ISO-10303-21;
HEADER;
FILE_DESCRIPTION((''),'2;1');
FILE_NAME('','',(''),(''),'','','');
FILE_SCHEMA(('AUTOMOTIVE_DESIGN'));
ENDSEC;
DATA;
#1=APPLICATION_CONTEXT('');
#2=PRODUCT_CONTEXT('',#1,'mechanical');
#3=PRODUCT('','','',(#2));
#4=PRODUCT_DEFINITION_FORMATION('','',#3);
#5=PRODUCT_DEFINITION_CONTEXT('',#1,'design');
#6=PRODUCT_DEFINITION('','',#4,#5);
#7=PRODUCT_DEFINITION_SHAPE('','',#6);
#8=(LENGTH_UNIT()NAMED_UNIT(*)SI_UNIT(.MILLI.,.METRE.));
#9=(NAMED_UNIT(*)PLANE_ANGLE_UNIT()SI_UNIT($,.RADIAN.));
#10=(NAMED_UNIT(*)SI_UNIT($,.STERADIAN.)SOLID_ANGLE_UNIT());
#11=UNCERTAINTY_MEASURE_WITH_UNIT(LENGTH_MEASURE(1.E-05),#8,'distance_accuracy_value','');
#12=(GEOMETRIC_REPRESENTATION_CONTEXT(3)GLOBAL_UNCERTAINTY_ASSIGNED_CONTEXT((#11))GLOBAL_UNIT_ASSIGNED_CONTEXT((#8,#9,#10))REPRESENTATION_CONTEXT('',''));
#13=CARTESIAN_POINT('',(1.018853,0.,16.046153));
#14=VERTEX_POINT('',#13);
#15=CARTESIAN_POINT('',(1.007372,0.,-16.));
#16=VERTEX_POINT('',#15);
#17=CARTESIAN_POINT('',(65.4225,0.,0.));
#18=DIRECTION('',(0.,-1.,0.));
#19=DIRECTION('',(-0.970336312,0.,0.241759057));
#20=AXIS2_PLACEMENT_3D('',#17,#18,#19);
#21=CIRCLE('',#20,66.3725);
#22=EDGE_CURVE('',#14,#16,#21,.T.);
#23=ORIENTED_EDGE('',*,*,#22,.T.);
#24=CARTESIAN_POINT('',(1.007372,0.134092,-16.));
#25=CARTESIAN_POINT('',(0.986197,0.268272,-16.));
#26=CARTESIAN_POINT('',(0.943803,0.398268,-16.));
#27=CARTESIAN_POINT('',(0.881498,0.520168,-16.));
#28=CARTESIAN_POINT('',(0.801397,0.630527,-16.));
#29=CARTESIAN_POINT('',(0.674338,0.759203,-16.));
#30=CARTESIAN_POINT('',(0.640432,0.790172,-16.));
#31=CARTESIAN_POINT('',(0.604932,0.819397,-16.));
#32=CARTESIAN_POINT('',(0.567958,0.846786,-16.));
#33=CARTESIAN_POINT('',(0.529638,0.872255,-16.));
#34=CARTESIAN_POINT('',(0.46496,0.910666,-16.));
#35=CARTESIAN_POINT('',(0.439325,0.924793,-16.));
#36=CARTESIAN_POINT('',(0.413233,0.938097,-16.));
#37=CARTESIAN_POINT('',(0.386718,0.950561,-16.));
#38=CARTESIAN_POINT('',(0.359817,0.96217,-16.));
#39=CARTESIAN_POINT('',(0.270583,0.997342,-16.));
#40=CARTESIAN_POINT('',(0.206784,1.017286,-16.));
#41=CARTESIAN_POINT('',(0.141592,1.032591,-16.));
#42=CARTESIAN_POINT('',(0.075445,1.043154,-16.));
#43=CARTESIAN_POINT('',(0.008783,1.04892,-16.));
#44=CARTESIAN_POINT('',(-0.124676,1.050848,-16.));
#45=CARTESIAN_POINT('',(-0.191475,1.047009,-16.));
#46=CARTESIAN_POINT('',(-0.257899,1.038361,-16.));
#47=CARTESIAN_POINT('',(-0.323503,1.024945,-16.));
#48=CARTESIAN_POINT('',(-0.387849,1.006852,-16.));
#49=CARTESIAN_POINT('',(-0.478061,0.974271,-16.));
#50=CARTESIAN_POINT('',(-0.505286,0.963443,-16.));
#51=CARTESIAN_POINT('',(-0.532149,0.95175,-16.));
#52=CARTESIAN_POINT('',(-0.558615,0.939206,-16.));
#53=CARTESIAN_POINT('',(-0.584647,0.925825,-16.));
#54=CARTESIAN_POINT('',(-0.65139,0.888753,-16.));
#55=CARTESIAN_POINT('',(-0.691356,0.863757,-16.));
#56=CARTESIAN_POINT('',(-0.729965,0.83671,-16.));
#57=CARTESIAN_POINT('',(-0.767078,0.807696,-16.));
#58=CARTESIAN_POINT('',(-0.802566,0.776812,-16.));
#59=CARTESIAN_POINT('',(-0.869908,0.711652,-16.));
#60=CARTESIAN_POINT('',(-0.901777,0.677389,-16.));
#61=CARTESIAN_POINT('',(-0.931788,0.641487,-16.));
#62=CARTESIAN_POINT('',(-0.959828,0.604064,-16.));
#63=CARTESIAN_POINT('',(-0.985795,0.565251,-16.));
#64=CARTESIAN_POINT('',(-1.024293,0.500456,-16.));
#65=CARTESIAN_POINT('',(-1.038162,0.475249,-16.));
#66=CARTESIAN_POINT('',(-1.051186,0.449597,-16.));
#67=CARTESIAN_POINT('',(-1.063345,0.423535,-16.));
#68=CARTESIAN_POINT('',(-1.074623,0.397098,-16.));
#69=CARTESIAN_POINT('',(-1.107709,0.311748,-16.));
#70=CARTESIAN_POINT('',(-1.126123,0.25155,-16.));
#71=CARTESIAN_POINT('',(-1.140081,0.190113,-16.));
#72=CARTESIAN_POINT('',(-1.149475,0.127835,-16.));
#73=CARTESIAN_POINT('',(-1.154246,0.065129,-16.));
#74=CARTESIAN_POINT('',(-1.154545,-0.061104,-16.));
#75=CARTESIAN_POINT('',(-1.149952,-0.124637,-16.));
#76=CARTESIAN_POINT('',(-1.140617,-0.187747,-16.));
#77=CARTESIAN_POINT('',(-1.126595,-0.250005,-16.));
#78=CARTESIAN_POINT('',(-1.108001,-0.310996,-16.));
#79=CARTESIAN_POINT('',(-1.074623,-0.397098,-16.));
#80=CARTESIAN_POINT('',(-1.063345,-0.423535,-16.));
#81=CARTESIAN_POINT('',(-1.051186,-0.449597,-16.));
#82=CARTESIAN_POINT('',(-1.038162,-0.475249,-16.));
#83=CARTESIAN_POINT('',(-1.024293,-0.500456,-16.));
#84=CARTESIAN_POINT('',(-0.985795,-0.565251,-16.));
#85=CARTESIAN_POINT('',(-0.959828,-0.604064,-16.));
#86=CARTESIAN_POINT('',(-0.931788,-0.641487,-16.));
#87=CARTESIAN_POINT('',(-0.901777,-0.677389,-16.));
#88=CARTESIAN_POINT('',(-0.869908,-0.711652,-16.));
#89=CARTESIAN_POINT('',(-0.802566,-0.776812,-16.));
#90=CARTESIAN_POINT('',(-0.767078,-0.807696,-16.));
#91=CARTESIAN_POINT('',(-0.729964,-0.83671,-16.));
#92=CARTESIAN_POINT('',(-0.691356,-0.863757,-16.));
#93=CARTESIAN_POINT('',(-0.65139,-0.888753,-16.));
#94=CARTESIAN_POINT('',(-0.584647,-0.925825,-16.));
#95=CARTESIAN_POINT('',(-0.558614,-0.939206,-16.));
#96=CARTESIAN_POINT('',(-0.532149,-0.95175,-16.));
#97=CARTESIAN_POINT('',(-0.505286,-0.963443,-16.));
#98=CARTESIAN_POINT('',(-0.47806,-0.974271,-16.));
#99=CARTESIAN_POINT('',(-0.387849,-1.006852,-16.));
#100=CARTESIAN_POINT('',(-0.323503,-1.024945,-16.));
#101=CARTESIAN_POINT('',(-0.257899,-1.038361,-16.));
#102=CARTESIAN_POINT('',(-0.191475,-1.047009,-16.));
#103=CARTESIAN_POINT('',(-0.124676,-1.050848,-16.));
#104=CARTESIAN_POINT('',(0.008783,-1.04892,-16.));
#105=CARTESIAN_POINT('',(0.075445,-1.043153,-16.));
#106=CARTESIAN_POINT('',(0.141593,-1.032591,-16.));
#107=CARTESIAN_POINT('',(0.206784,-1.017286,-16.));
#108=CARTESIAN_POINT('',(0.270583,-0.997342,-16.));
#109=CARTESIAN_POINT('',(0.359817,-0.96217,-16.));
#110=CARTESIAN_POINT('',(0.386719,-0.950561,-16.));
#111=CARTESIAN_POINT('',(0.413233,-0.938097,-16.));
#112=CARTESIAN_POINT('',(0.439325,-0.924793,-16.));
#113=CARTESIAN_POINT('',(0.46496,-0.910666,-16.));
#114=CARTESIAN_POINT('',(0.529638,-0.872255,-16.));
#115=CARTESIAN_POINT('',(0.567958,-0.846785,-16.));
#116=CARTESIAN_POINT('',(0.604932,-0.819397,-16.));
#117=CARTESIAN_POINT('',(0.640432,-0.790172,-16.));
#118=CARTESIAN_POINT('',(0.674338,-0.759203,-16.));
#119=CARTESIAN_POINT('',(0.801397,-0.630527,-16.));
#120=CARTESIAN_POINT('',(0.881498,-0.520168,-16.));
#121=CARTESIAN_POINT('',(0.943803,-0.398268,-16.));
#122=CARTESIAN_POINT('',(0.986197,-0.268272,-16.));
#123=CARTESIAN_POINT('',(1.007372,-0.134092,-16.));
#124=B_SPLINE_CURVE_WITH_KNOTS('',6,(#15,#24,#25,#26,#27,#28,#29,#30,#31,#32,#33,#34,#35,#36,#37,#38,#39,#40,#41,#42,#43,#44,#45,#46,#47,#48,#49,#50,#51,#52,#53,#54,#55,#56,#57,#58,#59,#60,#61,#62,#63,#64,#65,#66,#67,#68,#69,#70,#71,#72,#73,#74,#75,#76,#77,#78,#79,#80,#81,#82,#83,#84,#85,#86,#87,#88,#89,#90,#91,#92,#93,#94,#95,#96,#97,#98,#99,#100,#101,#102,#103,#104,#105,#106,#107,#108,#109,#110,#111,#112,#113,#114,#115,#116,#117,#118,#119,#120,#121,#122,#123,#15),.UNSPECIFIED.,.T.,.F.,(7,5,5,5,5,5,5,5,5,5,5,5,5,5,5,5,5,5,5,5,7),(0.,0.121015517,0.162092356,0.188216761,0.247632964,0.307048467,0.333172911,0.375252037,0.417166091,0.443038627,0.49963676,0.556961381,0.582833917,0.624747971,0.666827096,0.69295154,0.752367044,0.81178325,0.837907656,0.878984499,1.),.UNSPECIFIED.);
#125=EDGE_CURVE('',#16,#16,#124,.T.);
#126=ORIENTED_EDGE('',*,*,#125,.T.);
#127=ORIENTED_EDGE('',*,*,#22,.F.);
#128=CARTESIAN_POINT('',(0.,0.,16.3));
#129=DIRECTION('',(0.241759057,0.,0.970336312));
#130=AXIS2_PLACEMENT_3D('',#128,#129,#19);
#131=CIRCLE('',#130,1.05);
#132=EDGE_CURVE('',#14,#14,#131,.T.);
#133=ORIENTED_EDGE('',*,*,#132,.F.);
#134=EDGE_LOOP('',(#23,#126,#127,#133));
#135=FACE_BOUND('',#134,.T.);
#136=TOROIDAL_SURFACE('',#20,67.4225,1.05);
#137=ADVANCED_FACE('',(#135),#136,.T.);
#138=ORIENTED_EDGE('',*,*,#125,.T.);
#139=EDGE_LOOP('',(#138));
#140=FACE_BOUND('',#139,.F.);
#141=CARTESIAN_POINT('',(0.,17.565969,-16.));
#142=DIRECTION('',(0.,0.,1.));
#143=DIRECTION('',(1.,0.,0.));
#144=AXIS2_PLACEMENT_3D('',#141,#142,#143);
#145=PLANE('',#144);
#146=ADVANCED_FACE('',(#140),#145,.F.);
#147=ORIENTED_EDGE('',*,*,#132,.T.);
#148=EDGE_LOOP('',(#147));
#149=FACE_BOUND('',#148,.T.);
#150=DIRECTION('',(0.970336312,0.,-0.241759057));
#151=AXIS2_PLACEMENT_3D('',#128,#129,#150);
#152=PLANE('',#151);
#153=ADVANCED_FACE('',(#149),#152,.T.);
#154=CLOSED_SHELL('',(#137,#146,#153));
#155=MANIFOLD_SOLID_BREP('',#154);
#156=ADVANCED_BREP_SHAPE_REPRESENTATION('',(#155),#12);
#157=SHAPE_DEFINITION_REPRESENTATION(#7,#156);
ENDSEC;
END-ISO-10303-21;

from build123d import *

# Parameters (mm, degrees)
F1_R     = 1.05
F4_R     = 29.19907
F5_DEPTH = 25


with BuildPart() as f2:
    # F2: sweep along a path in F0
    with BuildLine(Plane.XZ) as f2_path:
        ThreePointArc((0, 16.3), (-2, 0), (0, -16.3))
    # F1 (on Top) → F2 (sweep)
    with BuildSketch(Plane.XY):
        with Locations((-2, 0)):
            Circle(F1_R)
    sweep(path=f2_path.line)

    # F4 (on offset) → F5 (cut)
    with BuildSketch(Plane.XY.offset(-16)):
        with Locations((0, 17.565969)):
            Circle(F4_R)
    extrude(amount=-F5_DEPTH, mode=Mode.SUBTRACT)


solid = f2.part
